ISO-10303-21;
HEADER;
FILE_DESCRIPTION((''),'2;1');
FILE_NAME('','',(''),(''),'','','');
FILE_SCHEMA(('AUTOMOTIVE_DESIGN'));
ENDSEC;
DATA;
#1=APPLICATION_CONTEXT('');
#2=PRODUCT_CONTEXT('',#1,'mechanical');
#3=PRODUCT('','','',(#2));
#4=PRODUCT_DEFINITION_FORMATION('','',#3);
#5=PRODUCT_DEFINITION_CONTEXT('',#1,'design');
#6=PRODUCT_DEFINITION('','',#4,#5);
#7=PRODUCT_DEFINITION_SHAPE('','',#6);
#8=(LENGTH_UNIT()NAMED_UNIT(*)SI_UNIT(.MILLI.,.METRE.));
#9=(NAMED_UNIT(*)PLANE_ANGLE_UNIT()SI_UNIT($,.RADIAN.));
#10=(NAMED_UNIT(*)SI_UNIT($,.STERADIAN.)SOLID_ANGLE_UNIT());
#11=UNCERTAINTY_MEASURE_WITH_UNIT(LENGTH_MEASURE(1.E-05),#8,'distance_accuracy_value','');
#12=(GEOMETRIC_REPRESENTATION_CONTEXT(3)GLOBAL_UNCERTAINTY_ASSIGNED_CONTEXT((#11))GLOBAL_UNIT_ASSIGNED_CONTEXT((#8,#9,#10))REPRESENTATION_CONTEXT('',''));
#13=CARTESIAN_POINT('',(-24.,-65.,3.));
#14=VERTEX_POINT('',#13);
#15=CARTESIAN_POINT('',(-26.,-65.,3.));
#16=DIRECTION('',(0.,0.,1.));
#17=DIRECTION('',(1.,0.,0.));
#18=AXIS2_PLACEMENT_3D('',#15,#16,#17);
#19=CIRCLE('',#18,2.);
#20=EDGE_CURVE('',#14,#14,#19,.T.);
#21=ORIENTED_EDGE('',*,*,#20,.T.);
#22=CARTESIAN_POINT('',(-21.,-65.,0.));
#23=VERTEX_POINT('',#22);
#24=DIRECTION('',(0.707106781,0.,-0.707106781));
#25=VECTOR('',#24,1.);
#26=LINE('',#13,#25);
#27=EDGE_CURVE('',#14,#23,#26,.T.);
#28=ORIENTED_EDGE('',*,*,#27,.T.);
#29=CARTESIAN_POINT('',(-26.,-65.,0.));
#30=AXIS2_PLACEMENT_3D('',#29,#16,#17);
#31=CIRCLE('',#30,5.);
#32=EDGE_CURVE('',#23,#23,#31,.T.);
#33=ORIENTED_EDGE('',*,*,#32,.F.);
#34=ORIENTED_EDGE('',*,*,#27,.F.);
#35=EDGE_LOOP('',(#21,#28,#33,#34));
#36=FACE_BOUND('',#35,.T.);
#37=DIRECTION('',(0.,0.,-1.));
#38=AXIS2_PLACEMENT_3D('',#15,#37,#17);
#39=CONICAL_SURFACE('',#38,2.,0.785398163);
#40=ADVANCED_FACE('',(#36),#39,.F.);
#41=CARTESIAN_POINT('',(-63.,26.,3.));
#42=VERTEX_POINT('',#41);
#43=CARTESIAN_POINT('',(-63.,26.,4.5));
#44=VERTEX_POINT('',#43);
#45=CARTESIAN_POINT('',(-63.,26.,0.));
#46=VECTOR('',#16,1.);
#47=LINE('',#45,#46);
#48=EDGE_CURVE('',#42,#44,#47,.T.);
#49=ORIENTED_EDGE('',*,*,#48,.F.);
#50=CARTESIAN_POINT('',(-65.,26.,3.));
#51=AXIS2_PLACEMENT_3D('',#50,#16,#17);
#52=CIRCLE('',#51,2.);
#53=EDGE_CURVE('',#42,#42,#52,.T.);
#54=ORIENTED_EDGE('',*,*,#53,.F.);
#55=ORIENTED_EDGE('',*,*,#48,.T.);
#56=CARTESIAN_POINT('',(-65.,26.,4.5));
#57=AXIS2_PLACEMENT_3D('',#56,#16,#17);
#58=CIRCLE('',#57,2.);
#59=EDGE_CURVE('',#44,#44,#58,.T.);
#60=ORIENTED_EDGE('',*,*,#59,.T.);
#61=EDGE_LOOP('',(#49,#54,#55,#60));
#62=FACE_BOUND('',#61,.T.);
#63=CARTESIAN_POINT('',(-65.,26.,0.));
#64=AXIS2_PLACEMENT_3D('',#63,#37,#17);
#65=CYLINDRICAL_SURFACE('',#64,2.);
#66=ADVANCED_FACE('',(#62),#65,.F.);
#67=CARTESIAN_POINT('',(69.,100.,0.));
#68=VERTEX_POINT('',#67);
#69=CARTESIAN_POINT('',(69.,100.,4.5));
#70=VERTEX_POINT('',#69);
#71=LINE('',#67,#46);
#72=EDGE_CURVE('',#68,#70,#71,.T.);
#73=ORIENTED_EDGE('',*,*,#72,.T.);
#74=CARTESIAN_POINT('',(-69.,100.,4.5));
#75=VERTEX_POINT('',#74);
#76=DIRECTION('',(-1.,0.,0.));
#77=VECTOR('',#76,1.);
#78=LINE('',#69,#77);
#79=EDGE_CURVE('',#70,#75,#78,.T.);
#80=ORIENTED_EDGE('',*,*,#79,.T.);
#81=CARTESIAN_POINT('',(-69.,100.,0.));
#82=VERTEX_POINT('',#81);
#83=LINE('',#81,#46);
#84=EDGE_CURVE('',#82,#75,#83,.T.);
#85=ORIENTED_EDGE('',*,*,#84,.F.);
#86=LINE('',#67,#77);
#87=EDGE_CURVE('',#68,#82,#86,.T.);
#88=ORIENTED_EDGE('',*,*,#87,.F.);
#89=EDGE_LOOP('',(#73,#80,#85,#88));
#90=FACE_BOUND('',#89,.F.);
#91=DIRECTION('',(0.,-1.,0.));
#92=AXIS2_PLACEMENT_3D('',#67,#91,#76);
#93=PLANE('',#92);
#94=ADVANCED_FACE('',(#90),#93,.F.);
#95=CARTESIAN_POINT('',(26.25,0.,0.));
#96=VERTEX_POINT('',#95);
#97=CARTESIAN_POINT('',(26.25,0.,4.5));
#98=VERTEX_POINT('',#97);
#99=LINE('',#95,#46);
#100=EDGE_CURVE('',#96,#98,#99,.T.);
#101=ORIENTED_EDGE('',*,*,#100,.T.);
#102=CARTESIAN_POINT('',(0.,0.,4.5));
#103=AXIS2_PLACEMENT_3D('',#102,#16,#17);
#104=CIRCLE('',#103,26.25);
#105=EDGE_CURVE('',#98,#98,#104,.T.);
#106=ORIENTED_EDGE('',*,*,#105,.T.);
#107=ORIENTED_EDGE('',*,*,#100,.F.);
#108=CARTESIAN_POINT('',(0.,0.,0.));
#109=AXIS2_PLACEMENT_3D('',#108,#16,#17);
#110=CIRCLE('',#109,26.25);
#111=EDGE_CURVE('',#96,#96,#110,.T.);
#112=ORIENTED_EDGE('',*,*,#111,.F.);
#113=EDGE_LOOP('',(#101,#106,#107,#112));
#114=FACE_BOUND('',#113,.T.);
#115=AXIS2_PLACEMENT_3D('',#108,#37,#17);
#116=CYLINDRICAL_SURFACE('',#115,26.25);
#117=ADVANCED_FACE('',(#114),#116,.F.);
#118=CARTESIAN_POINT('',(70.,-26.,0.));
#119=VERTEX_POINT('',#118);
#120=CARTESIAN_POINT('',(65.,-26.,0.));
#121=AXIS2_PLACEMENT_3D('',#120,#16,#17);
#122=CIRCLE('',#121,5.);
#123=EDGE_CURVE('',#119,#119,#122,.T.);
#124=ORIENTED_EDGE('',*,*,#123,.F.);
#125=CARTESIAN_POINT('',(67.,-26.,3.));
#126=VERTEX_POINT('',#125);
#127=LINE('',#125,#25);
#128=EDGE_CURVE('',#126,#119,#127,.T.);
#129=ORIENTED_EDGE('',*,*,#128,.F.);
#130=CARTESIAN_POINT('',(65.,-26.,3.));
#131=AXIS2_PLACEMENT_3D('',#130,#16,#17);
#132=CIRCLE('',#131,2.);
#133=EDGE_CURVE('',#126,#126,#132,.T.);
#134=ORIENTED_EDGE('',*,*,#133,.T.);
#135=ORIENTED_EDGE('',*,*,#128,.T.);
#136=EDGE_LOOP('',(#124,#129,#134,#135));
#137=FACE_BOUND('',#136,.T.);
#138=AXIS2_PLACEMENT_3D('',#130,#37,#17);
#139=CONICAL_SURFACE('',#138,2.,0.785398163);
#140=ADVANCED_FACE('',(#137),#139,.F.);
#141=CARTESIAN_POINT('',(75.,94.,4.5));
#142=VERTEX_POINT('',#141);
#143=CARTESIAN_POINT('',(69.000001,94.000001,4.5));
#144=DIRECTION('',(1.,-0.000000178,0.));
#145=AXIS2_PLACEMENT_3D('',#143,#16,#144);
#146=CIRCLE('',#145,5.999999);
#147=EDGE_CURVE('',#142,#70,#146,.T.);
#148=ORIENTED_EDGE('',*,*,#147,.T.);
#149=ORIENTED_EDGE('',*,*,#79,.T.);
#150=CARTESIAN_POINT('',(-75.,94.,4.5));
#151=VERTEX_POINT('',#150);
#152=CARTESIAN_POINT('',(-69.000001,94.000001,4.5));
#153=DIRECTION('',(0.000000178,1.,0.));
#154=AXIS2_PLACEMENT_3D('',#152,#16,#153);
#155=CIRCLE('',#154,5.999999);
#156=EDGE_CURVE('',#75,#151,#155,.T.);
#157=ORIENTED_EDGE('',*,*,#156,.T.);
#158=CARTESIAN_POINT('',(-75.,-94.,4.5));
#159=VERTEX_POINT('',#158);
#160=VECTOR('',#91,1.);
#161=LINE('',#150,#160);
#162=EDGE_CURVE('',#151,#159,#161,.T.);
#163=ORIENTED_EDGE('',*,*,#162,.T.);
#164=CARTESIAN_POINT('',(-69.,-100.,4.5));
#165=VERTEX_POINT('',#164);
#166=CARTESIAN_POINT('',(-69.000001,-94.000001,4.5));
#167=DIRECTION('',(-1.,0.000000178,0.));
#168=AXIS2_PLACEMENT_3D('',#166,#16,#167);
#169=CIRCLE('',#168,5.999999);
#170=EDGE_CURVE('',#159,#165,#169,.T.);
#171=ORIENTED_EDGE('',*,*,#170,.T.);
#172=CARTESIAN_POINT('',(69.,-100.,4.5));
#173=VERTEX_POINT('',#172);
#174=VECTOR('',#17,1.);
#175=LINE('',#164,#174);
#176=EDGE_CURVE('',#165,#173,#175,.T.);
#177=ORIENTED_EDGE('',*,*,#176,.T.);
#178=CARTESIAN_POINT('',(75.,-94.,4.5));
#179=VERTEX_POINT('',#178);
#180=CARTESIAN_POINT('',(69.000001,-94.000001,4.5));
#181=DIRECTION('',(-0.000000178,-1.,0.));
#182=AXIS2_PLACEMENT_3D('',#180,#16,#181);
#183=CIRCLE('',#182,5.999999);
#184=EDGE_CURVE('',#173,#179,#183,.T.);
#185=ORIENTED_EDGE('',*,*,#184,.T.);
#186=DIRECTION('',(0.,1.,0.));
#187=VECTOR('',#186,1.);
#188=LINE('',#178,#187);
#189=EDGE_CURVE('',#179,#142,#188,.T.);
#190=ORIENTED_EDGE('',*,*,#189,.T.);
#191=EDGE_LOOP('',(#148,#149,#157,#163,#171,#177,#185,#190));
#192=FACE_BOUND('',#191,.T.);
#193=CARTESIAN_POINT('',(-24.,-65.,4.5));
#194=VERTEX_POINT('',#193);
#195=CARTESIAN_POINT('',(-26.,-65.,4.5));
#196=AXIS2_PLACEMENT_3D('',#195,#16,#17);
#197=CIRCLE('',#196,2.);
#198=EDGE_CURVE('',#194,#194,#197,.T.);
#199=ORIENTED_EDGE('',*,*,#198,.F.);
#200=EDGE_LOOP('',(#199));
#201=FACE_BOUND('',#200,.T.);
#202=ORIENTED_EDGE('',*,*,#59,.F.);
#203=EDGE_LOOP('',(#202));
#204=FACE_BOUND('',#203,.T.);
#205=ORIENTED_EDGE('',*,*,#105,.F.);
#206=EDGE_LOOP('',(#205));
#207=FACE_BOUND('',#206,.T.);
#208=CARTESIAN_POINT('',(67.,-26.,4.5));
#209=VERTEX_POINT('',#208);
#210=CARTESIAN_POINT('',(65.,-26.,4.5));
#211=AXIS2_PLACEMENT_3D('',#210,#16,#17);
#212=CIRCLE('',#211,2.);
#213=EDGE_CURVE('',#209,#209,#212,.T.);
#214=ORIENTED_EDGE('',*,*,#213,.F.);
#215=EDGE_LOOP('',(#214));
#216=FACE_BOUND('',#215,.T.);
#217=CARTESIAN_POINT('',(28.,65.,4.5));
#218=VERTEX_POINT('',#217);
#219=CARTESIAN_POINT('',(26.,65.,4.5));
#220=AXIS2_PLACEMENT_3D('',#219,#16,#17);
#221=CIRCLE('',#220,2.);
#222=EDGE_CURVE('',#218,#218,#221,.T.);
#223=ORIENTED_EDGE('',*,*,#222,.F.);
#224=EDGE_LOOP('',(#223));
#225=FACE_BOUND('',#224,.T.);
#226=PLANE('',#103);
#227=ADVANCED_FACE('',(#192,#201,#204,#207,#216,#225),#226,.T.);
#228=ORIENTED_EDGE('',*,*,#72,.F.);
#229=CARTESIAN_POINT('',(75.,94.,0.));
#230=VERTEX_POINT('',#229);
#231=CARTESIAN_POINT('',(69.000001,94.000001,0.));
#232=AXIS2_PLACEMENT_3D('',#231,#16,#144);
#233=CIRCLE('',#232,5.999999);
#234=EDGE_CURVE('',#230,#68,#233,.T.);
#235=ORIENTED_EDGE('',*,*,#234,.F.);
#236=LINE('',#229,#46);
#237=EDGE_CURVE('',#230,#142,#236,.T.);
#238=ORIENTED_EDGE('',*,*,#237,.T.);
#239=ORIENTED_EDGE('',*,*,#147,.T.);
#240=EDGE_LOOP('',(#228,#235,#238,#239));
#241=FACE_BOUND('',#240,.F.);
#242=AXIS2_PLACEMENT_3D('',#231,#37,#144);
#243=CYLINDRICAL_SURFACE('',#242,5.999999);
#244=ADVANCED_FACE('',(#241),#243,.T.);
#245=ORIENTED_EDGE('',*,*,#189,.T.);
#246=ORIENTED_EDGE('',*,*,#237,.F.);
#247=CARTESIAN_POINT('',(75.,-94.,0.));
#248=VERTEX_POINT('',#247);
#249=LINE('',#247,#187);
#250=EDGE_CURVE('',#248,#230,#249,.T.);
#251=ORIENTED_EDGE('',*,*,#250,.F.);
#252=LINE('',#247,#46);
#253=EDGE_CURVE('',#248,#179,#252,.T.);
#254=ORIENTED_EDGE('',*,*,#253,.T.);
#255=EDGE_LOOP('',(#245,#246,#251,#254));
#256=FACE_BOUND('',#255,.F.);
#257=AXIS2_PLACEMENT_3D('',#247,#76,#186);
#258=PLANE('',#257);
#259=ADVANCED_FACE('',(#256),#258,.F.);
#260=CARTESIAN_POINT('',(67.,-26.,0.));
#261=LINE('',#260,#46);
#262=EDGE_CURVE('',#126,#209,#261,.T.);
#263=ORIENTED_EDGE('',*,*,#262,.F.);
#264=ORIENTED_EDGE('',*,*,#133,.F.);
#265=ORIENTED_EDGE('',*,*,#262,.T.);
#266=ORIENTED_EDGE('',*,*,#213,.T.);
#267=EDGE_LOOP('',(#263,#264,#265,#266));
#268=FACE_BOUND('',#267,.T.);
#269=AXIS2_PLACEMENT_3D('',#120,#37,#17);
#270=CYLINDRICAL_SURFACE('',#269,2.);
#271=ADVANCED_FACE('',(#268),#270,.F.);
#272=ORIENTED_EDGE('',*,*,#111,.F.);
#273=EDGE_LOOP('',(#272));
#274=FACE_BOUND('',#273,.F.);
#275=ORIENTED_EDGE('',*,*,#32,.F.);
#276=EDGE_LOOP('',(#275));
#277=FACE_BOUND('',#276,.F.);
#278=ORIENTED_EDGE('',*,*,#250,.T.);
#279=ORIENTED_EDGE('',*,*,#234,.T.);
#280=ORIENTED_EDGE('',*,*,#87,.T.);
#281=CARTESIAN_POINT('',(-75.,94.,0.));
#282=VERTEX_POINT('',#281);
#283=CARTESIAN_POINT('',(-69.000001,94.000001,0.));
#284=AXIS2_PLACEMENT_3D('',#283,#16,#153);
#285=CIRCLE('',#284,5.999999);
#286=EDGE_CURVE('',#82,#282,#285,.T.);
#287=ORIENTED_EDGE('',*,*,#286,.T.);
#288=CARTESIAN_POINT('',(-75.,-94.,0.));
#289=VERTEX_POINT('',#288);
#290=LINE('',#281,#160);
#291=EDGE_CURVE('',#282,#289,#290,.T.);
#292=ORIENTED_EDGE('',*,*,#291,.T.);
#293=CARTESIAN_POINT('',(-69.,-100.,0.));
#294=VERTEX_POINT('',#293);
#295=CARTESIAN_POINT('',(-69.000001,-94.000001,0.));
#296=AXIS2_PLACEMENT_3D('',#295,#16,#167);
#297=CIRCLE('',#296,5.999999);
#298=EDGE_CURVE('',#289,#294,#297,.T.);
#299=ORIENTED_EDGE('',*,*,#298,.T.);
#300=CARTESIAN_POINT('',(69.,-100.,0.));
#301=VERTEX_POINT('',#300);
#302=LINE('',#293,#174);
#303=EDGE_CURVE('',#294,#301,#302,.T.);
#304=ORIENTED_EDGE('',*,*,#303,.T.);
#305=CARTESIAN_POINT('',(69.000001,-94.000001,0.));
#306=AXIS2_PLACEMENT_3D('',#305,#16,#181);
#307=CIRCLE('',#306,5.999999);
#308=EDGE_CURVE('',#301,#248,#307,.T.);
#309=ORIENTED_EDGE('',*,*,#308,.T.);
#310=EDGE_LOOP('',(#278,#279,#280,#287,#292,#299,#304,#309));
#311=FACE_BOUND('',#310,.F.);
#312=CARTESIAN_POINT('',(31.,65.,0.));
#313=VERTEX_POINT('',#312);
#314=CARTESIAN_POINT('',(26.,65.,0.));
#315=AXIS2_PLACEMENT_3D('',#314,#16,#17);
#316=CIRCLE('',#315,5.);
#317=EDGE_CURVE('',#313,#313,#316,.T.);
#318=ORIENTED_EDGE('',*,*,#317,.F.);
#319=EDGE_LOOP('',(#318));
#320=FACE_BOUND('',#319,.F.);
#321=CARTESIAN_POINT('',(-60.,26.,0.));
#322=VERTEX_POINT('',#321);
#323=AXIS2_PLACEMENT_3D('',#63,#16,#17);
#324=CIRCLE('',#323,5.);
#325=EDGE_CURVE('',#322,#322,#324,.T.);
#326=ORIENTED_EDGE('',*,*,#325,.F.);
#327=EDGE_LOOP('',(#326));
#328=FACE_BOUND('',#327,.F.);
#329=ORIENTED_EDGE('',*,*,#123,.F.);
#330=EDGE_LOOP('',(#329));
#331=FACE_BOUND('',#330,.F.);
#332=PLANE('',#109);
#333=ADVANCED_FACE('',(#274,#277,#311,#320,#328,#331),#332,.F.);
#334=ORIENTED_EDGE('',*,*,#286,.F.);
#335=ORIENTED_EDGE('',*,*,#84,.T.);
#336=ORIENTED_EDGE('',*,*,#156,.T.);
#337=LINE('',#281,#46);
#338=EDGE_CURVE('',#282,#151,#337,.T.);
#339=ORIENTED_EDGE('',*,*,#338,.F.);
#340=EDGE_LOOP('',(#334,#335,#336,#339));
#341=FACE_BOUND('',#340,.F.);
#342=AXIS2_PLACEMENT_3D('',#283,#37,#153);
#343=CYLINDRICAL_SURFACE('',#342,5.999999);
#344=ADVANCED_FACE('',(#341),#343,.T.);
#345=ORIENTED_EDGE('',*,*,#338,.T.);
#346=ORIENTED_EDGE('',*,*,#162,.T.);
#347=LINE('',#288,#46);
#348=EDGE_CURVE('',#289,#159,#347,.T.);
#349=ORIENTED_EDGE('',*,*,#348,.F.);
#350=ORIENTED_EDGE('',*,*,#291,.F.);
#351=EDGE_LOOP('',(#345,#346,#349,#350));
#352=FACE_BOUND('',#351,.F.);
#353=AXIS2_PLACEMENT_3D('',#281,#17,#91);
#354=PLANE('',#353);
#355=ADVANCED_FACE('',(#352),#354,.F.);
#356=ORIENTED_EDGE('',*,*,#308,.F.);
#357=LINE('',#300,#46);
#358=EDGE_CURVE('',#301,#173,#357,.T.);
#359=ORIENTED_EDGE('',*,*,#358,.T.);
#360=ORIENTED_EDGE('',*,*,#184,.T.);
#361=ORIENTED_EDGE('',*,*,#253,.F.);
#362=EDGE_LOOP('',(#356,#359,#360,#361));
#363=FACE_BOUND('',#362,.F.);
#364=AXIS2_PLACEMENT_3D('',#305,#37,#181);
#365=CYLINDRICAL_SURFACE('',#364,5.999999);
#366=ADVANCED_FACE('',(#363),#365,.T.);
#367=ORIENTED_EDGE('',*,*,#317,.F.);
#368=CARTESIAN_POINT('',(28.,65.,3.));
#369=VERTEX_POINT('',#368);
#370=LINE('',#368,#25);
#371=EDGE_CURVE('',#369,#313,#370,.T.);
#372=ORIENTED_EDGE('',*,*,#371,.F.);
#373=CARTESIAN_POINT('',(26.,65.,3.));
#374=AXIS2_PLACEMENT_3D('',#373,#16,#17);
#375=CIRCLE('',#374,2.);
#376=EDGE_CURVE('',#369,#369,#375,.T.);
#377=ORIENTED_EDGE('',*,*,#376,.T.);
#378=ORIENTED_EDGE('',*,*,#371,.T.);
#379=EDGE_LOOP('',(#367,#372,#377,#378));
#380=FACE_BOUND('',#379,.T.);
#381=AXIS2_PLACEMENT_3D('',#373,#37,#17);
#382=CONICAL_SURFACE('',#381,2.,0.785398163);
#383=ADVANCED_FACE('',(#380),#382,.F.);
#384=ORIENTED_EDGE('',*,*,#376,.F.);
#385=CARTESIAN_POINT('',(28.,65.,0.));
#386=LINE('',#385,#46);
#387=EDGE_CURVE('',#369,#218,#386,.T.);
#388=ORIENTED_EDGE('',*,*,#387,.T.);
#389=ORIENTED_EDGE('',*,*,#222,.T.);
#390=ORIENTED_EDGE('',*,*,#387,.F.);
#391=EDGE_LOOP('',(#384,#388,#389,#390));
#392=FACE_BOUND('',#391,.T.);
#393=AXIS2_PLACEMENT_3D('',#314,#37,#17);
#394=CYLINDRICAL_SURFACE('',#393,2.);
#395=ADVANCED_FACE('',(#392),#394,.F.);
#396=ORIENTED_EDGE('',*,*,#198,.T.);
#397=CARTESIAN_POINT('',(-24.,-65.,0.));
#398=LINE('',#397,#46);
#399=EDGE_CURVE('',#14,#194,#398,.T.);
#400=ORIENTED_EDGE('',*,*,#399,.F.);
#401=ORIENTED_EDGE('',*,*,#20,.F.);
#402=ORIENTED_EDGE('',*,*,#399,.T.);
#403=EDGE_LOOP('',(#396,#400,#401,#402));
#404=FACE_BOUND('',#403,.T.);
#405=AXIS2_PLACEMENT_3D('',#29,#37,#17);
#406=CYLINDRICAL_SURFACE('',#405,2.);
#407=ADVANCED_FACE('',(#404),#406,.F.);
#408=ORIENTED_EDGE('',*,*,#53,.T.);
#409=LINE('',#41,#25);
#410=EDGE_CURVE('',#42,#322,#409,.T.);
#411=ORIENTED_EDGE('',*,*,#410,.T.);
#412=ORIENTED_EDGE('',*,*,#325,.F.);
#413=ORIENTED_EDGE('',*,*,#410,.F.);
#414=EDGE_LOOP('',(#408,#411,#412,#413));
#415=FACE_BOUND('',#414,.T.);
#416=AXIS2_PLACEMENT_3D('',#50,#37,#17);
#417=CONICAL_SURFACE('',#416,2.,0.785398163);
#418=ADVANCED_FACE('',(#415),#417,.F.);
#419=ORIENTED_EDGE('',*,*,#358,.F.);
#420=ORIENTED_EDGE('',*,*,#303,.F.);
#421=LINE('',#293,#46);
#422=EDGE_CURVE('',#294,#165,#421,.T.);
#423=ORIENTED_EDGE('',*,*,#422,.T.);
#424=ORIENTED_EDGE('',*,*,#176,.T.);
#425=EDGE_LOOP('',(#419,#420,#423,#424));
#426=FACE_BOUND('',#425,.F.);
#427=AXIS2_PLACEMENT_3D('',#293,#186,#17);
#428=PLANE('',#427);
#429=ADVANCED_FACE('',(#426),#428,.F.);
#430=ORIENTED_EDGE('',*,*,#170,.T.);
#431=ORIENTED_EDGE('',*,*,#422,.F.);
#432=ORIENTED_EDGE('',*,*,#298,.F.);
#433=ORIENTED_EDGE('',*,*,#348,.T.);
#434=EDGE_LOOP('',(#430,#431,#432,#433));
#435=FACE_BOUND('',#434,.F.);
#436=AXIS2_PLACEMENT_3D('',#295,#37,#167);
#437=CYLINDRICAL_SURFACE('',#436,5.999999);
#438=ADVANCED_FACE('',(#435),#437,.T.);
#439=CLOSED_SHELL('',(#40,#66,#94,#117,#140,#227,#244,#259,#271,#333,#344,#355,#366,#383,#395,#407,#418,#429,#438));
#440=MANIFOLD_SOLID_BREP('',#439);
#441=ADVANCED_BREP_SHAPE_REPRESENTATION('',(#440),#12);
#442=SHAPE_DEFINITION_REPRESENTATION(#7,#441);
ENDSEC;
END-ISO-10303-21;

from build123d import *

# Parameters (mm, degrees)
F0_R     = 2
F0_R_2   = 26.25
F1_DEPTH = 4.5
F2_SIZE  = 3


with BuildPart() as f1:
    # F0 (on Top) → F1 (new body)
    with BuildSketch(Plane.XY):
        with BuildLine():
            Line((69, 100), (-69, 100))
            ThreePointArc((-69, 100), (-73.242641, 98.242641), (-75, 94))
            Line((-75, 94), (-75, -94))
            ThreePointArc((-75, -94), (-73.242641, -98.242641), (-69, -100))
            Line((-69, -100), (69, -100))
            ThreePointArc((69, -100), (73.242641, -98.242641), (75, -94))
            Line((75, -94), (75, 94))
            ThreePointArc((75, 94), (73.242641, 98.242641), (69, 100))
        make_face()
        with Locations((-26, -65)):
            Circle(F0_R, mode=Mode.SUBTRACT)
        with Locations((65, -26)):
            Circle(F0_R, mode=Mode.SUBTRACT)
        with Locations((-65, 26)):
            Circle(F0_R, mode=Mode.SUBTRACT)
        Circle(F0_R_2, mode=Mode.SUBTRACT)
        with Locations((26, 65)):
            Circle(F0_R, mode=Mode.SUBTRACT)
    extrude(amount=F1_DEPTH)

    # F2
    f2_edges = [f1.edges().sort_by_distance(p)[0] for p in [
        (-67, 26, 0),
        (-28, -65, 0),
        (63, -26, 0),
        (24, 65, 0),
    ]]
    chamfer(f2_edges, length=F2_SIZE)


solid = f1.part
